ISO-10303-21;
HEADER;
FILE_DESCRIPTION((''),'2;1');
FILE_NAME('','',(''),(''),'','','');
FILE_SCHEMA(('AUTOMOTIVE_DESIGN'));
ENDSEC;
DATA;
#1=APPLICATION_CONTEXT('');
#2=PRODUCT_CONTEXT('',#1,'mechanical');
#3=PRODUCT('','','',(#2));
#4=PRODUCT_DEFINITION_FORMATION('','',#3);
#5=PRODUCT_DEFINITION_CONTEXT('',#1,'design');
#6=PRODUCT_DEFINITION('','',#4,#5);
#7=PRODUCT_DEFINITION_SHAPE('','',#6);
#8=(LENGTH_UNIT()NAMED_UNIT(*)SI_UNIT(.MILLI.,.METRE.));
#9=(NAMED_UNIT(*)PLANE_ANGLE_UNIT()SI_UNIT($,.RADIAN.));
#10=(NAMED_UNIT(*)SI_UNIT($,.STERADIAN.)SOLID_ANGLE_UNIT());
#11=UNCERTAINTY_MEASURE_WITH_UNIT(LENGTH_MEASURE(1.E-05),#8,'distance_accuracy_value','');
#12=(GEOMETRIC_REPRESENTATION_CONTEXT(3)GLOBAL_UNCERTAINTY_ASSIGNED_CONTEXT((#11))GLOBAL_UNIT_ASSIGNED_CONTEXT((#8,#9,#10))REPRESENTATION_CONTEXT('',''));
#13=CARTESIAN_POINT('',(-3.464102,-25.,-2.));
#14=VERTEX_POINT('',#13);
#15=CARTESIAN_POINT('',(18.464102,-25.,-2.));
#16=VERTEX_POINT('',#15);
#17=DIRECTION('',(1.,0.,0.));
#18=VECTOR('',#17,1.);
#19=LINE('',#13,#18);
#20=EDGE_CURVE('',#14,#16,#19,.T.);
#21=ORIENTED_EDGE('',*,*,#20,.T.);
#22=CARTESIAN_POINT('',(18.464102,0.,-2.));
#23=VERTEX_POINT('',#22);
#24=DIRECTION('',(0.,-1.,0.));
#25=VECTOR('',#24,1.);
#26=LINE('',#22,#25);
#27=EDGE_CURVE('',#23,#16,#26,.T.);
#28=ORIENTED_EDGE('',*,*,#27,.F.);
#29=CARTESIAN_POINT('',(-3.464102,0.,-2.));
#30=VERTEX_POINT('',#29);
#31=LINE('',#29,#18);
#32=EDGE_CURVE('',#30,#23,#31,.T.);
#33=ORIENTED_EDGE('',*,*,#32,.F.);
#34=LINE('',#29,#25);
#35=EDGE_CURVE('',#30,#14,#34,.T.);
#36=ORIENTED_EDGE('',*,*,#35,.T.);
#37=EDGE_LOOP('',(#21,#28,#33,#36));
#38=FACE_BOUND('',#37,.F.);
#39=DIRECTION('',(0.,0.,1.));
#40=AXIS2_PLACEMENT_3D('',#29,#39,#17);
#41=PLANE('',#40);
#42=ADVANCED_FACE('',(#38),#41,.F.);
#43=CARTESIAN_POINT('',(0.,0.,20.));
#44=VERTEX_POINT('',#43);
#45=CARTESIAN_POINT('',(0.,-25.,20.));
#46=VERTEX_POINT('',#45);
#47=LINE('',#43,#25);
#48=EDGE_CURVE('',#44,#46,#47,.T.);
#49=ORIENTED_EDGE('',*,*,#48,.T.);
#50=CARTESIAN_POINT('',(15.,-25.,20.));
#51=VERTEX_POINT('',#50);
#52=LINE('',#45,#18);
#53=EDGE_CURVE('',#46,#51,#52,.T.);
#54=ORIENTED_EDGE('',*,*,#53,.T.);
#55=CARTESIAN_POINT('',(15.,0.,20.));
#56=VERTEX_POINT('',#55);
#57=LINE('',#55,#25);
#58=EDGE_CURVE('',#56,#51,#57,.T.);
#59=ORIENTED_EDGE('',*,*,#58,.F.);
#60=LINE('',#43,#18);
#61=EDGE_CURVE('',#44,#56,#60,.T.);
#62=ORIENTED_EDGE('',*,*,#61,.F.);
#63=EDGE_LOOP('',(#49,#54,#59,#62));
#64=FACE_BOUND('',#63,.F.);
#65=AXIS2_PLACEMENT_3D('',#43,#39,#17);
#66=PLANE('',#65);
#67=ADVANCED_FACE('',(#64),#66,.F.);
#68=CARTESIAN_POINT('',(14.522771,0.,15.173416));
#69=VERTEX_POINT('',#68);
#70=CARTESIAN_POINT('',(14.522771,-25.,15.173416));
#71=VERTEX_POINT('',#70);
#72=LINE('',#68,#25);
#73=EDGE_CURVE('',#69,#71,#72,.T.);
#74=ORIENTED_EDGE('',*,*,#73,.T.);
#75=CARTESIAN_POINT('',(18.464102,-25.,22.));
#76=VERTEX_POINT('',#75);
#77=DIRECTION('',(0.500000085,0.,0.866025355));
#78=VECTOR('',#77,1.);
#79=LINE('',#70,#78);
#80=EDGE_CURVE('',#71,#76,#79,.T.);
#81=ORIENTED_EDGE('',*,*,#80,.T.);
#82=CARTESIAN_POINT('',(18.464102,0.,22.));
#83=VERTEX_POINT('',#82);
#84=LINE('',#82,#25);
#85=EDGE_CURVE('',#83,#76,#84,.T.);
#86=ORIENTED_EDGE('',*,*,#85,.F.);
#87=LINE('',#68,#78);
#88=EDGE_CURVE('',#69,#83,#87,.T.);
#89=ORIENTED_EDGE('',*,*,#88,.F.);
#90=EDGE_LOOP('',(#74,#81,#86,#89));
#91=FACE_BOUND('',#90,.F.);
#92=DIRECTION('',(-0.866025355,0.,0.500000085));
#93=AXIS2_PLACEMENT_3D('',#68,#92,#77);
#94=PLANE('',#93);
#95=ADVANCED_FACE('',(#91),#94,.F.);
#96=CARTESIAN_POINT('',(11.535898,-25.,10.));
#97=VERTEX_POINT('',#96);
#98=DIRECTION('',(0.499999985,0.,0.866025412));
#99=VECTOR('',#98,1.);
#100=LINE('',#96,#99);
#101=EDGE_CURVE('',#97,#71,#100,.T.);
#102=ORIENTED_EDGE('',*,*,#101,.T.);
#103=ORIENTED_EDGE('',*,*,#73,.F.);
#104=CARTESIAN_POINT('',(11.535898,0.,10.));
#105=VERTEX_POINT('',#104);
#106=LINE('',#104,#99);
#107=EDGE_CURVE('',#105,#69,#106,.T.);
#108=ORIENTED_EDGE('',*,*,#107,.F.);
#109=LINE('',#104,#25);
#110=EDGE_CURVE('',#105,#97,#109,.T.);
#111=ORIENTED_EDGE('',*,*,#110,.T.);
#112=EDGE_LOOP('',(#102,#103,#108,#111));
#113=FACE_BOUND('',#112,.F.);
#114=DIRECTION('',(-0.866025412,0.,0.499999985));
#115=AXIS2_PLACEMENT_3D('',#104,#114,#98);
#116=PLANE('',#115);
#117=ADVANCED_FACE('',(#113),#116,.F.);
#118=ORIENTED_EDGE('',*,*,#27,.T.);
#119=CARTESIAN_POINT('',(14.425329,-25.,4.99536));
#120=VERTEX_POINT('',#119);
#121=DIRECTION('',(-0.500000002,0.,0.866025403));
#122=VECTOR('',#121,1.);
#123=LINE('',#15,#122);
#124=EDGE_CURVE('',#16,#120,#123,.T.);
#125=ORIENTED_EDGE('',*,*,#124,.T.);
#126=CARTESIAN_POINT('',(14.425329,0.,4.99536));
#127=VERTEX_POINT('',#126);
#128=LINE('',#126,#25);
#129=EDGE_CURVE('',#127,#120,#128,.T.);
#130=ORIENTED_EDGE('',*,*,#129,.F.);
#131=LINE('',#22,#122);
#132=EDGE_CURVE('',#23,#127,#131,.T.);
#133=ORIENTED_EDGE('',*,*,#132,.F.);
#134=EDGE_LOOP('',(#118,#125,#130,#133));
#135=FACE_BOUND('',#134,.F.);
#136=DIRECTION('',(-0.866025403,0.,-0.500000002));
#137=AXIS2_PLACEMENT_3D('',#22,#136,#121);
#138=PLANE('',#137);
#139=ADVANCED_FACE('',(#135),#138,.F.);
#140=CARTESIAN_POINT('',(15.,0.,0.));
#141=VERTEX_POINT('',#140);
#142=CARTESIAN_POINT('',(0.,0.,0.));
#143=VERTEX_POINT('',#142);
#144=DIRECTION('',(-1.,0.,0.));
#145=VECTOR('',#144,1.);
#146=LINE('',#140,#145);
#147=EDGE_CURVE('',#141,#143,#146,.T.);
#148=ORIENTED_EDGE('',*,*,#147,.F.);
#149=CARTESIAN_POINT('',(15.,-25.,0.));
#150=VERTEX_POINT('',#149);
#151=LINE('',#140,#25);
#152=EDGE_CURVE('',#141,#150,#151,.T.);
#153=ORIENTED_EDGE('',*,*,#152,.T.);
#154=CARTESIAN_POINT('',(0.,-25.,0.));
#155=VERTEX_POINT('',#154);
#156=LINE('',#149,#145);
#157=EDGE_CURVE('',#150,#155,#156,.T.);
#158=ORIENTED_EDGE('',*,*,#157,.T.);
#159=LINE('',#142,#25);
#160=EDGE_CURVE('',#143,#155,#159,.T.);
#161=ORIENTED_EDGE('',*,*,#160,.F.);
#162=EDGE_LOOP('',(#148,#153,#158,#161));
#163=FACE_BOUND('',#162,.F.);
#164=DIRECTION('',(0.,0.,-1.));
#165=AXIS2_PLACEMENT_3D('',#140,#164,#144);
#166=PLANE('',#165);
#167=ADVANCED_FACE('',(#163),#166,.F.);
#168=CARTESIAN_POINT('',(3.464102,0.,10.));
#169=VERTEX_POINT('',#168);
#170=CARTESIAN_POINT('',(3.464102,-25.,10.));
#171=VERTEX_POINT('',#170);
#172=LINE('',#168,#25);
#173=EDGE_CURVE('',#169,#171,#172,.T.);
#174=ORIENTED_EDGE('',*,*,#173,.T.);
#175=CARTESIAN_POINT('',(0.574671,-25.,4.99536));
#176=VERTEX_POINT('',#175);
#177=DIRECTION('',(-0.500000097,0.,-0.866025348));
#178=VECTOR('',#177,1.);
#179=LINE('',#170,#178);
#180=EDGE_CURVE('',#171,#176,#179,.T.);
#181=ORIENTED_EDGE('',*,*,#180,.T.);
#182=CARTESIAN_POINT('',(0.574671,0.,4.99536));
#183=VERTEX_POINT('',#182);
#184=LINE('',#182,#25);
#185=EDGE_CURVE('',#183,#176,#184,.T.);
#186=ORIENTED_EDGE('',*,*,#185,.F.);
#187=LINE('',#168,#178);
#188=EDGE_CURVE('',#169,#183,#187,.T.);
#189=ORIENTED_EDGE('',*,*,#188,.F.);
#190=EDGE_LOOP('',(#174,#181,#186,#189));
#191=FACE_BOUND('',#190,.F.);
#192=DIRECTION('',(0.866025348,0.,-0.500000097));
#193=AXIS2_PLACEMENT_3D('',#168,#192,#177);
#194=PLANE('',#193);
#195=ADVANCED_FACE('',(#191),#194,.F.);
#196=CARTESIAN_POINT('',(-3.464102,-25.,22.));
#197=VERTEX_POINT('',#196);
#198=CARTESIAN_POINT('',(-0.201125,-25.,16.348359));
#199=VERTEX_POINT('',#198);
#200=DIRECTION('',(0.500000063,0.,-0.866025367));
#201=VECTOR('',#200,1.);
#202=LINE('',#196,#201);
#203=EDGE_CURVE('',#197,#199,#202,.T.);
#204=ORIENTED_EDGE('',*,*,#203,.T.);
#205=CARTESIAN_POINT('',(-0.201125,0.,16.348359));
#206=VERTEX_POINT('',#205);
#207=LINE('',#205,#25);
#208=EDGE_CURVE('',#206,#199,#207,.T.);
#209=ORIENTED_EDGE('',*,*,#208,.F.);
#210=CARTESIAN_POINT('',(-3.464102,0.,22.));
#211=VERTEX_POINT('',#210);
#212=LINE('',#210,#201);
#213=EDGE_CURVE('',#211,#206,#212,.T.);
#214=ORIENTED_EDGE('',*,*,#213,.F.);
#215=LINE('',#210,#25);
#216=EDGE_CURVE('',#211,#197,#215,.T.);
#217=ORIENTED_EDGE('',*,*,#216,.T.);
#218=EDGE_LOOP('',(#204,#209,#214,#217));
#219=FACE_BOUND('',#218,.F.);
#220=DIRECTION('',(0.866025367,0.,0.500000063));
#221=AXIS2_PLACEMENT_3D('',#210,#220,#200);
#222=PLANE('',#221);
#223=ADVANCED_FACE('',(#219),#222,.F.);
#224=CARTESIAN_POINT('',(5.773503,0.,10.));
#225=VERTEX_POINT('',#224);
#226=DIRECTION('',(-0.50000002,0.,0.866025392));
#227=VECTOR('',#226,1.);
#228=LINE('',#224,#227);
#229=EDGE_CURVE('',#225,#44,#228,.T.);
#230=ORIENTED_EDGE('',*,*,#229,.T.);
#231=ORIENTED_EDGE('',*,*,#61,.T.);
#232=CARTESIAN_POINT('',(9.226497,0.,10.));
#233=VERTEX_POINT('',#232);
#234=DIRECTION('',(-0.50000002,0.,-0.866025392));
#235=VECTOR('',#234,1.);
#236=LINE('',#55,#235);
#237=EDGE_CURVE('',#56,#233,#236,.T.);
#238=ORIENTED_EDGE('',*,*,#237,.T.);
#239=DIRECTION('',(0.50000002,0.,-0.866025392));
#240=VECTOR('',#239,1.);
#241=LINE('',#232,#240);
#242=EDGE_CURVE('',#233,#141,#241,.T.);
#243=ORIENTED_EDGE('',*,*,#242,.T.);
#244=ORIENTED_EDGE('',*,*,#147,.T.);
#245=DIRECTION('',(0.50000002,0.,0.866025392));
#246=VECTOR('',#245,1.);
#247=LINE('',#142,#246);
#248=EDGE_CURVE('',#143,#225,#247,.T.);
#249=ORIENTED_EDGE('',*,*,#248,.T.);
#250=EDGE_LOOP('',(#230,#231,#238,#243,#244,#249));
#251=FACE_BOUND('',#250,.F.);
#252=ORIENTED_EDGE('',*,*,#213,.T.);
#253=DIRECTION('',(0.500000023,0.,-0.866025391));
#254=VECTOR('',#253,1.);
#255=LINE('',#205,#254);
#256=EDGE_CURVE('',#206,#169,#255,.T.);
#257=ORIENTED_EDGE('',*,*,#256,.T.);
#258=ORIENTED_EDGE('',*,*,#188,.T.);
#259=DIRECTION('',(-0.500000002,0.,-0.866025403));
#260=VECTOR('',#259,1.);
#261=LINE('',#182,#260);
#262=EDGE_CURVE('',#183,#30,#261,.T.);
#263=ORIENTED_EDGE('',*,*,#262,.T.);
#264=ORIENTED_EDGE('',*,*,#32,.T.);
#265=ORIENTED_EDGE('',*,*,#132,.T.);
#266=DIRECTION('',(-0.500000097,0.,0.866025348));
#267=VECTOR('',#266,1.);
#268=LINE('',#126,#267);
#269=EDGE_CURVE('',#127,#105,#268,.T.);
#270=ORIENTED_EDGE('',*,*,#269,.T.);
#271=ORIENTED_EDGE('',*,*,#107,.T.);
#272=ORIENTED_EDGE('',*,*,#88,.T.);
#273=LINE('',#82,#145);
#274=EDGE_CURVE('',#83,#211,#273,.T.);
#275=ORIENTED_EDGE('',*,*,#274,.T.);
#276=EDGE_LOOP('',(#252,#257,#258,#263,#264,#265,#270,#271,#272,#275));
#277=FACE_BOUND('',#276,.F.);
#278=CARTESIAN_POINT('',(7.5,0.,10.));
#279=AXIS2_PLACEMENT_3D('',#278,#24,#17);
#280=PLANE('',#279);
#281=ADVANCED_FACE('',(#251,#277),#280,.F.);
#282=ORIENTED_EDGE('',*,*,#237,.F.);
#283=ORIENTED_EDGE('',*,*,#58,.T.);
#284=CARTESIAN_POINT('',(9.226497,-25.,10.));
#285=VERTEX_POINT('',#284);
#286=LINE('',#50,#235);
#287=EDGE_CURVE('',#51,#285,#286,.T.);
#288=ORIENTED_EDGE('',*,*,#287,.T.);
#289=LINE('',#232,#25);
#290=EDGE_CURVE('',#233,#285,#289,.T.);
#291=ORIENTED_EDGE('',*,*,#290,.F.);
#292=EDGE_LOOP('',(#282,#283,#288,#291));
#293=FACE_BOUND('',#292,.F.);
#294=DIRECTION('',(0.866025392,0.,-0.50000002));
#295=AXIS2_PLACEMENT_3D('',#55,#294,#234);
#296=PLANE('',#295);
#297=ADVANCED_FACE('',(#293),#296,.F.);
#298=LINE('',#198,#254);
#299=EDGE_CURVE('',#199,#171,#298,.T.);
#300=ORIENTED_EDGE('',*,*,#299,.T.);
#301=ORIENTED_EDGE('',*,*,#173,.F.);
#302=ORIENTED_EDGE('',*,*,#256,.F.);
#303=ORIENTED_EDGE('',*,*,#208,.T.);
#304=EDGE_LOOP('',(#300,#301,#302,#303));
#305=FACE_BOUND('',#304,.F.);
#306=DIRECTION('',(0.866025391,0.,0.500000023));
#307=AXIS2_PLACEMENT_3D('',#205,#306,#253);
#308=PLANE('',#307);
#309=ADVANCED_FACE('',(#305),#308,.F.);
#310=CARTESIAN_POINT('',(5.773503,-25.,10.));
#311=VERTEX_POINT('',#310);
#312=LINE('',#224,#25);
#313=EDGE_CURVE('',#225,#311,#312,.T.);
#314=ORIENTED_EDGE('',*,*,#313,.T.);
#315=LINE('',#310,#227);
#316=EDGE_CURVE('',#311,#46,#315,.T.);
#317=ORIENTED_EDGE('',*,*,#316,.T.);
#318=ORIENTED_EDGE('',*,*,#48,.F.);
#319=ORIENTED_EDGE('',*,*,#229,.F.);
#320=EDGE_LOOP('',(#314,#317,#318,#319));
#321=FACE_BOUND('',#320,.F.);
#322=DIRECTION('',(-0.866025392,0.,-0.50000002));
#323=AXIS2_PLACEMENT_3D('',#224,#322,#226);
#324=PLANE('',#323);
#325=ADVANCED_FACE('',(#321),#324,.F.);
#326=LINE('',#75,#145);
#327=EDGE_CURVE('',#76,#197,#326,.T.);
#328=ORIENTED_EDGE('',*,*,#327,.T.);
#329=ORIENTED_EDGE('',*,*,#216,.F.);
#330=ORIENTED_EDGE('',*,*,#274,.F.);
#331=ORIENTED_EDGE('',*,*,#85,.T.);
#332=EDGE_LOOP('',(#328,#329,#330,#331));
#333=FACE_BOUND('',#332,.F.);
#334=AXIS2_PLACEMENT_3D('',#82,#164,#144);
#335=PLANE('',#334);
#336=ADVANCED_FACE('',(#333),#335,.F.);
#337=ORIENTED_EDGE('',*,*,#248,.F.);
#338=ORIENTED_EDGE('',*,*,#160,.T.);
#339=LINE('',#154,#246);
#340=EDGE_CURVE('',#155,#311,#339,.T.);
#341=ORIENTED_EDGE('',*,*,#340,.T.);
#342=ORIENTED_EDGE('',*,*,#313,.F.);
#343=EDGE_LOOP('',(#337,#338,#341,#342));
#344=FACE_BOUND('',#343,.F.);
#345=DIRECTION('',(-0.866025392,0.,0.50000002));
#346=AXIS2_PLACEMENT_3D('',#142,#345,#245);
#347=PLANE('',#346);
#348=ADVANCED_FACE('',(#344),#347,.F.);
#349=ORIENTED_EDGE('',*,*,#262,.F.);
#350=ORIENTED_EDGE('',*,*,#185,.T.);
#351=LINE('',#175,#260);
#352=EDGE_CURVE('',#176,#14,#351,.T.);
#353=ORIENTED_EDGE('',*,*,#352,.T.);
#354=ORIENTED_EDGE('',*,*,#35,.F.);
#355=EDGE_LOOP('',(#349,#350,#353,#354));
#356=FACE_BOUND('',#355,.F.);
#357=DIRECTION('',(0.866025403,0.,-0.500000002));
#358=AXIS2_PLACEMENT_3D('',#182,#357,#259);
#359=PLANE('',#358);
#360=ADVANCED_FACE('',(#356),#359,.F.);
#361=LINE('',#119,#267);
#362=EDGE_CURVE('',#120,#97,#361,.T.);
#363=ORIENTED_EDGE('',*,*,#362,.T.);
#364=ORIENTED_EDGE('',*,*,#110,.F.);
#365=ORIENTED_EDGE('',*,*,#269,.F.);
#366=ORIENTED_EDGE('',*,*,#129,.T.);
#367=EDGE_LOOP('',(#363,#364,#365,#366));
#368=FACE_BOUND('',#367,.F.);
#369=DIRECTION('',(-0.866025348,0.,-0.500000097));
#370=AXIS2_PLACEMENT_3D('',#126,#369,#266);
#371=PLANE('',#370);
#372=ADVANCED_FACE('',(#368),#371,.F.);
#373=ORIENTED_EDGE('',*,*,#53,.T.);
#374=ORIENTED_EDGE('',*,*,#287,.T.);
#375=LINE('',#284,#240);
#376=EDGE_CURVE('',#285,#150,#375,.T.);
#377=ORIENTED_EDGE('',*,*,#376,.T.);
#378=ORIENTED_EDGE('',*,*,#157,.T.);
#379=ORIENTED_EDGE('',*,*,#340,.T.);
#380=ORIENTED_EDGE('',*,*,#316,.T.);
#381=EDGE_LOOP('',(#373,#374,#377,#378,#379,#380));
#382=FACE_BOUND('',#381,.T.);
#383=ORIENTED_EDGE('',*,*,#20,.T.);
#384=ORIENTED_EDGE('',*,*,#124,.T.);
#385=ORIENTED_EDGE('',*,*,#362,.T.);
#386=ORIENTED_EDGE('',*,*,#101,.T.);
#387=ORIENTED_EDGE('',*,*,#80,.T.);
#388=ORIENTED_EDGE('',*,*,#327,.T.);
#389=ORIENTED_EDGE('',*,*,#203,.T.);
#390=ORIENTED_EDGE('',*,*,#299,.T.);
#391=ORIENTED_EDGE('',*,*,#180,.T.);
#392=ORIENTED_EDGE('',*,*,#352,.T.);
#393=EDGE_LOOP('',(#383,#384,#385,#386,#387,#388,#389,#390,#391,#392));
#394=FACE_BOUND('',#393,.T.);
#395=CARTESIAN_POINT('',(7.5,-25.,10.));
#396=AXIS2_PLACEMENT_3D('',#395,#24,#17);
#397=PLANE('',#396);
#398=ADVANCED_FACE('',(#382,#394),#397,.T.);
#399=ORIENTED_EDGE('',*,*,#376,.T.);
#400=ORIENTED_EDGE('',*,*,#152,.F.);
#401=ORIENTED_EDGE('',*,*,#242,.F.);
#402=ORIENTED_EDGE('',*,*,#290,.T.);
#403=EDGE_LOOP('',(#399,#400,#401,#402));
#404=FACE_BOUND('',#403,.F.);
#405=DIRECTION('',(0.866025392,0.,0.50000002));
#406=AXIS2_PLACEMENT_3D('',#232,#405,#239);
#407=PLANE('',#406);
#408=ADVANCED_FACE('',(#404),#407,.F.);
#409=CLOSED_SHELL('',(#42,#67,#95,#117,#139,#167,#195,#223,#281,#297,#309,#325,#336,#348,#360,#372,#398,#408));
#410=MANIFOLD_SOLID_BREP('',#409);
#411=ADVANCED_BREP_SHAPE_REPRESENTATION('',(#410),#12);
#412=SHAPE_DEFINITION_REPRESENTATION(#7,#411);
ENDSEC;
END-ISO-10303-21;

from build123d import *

# Parameters (mm, degrees)
F1_DEPTH = 25


with BuildPart() as f1:
    # F0 (on Front) → F1 (new body)
    with BuildSketch(Plane.XZ):
        Polygon((3.464102, 10), (0.574671, 4.99536), (-3.464102, -2), (18.464102, -2), (14.425329, 4.99536), (11.535898, 10), (14.522771, 15.173416), (18.464102, 22), (-3.464102, 22), (-0.201125, 16.348359), align=None)
        Polygon((15, 0), (0, 0), (5.773503, 10), (0, 20), (15, 20), (9.226497, 10), align=None, mode=Mode.SUBTRACT)
    extrude(amount=F1_DEPTH)


solid = f1.part
